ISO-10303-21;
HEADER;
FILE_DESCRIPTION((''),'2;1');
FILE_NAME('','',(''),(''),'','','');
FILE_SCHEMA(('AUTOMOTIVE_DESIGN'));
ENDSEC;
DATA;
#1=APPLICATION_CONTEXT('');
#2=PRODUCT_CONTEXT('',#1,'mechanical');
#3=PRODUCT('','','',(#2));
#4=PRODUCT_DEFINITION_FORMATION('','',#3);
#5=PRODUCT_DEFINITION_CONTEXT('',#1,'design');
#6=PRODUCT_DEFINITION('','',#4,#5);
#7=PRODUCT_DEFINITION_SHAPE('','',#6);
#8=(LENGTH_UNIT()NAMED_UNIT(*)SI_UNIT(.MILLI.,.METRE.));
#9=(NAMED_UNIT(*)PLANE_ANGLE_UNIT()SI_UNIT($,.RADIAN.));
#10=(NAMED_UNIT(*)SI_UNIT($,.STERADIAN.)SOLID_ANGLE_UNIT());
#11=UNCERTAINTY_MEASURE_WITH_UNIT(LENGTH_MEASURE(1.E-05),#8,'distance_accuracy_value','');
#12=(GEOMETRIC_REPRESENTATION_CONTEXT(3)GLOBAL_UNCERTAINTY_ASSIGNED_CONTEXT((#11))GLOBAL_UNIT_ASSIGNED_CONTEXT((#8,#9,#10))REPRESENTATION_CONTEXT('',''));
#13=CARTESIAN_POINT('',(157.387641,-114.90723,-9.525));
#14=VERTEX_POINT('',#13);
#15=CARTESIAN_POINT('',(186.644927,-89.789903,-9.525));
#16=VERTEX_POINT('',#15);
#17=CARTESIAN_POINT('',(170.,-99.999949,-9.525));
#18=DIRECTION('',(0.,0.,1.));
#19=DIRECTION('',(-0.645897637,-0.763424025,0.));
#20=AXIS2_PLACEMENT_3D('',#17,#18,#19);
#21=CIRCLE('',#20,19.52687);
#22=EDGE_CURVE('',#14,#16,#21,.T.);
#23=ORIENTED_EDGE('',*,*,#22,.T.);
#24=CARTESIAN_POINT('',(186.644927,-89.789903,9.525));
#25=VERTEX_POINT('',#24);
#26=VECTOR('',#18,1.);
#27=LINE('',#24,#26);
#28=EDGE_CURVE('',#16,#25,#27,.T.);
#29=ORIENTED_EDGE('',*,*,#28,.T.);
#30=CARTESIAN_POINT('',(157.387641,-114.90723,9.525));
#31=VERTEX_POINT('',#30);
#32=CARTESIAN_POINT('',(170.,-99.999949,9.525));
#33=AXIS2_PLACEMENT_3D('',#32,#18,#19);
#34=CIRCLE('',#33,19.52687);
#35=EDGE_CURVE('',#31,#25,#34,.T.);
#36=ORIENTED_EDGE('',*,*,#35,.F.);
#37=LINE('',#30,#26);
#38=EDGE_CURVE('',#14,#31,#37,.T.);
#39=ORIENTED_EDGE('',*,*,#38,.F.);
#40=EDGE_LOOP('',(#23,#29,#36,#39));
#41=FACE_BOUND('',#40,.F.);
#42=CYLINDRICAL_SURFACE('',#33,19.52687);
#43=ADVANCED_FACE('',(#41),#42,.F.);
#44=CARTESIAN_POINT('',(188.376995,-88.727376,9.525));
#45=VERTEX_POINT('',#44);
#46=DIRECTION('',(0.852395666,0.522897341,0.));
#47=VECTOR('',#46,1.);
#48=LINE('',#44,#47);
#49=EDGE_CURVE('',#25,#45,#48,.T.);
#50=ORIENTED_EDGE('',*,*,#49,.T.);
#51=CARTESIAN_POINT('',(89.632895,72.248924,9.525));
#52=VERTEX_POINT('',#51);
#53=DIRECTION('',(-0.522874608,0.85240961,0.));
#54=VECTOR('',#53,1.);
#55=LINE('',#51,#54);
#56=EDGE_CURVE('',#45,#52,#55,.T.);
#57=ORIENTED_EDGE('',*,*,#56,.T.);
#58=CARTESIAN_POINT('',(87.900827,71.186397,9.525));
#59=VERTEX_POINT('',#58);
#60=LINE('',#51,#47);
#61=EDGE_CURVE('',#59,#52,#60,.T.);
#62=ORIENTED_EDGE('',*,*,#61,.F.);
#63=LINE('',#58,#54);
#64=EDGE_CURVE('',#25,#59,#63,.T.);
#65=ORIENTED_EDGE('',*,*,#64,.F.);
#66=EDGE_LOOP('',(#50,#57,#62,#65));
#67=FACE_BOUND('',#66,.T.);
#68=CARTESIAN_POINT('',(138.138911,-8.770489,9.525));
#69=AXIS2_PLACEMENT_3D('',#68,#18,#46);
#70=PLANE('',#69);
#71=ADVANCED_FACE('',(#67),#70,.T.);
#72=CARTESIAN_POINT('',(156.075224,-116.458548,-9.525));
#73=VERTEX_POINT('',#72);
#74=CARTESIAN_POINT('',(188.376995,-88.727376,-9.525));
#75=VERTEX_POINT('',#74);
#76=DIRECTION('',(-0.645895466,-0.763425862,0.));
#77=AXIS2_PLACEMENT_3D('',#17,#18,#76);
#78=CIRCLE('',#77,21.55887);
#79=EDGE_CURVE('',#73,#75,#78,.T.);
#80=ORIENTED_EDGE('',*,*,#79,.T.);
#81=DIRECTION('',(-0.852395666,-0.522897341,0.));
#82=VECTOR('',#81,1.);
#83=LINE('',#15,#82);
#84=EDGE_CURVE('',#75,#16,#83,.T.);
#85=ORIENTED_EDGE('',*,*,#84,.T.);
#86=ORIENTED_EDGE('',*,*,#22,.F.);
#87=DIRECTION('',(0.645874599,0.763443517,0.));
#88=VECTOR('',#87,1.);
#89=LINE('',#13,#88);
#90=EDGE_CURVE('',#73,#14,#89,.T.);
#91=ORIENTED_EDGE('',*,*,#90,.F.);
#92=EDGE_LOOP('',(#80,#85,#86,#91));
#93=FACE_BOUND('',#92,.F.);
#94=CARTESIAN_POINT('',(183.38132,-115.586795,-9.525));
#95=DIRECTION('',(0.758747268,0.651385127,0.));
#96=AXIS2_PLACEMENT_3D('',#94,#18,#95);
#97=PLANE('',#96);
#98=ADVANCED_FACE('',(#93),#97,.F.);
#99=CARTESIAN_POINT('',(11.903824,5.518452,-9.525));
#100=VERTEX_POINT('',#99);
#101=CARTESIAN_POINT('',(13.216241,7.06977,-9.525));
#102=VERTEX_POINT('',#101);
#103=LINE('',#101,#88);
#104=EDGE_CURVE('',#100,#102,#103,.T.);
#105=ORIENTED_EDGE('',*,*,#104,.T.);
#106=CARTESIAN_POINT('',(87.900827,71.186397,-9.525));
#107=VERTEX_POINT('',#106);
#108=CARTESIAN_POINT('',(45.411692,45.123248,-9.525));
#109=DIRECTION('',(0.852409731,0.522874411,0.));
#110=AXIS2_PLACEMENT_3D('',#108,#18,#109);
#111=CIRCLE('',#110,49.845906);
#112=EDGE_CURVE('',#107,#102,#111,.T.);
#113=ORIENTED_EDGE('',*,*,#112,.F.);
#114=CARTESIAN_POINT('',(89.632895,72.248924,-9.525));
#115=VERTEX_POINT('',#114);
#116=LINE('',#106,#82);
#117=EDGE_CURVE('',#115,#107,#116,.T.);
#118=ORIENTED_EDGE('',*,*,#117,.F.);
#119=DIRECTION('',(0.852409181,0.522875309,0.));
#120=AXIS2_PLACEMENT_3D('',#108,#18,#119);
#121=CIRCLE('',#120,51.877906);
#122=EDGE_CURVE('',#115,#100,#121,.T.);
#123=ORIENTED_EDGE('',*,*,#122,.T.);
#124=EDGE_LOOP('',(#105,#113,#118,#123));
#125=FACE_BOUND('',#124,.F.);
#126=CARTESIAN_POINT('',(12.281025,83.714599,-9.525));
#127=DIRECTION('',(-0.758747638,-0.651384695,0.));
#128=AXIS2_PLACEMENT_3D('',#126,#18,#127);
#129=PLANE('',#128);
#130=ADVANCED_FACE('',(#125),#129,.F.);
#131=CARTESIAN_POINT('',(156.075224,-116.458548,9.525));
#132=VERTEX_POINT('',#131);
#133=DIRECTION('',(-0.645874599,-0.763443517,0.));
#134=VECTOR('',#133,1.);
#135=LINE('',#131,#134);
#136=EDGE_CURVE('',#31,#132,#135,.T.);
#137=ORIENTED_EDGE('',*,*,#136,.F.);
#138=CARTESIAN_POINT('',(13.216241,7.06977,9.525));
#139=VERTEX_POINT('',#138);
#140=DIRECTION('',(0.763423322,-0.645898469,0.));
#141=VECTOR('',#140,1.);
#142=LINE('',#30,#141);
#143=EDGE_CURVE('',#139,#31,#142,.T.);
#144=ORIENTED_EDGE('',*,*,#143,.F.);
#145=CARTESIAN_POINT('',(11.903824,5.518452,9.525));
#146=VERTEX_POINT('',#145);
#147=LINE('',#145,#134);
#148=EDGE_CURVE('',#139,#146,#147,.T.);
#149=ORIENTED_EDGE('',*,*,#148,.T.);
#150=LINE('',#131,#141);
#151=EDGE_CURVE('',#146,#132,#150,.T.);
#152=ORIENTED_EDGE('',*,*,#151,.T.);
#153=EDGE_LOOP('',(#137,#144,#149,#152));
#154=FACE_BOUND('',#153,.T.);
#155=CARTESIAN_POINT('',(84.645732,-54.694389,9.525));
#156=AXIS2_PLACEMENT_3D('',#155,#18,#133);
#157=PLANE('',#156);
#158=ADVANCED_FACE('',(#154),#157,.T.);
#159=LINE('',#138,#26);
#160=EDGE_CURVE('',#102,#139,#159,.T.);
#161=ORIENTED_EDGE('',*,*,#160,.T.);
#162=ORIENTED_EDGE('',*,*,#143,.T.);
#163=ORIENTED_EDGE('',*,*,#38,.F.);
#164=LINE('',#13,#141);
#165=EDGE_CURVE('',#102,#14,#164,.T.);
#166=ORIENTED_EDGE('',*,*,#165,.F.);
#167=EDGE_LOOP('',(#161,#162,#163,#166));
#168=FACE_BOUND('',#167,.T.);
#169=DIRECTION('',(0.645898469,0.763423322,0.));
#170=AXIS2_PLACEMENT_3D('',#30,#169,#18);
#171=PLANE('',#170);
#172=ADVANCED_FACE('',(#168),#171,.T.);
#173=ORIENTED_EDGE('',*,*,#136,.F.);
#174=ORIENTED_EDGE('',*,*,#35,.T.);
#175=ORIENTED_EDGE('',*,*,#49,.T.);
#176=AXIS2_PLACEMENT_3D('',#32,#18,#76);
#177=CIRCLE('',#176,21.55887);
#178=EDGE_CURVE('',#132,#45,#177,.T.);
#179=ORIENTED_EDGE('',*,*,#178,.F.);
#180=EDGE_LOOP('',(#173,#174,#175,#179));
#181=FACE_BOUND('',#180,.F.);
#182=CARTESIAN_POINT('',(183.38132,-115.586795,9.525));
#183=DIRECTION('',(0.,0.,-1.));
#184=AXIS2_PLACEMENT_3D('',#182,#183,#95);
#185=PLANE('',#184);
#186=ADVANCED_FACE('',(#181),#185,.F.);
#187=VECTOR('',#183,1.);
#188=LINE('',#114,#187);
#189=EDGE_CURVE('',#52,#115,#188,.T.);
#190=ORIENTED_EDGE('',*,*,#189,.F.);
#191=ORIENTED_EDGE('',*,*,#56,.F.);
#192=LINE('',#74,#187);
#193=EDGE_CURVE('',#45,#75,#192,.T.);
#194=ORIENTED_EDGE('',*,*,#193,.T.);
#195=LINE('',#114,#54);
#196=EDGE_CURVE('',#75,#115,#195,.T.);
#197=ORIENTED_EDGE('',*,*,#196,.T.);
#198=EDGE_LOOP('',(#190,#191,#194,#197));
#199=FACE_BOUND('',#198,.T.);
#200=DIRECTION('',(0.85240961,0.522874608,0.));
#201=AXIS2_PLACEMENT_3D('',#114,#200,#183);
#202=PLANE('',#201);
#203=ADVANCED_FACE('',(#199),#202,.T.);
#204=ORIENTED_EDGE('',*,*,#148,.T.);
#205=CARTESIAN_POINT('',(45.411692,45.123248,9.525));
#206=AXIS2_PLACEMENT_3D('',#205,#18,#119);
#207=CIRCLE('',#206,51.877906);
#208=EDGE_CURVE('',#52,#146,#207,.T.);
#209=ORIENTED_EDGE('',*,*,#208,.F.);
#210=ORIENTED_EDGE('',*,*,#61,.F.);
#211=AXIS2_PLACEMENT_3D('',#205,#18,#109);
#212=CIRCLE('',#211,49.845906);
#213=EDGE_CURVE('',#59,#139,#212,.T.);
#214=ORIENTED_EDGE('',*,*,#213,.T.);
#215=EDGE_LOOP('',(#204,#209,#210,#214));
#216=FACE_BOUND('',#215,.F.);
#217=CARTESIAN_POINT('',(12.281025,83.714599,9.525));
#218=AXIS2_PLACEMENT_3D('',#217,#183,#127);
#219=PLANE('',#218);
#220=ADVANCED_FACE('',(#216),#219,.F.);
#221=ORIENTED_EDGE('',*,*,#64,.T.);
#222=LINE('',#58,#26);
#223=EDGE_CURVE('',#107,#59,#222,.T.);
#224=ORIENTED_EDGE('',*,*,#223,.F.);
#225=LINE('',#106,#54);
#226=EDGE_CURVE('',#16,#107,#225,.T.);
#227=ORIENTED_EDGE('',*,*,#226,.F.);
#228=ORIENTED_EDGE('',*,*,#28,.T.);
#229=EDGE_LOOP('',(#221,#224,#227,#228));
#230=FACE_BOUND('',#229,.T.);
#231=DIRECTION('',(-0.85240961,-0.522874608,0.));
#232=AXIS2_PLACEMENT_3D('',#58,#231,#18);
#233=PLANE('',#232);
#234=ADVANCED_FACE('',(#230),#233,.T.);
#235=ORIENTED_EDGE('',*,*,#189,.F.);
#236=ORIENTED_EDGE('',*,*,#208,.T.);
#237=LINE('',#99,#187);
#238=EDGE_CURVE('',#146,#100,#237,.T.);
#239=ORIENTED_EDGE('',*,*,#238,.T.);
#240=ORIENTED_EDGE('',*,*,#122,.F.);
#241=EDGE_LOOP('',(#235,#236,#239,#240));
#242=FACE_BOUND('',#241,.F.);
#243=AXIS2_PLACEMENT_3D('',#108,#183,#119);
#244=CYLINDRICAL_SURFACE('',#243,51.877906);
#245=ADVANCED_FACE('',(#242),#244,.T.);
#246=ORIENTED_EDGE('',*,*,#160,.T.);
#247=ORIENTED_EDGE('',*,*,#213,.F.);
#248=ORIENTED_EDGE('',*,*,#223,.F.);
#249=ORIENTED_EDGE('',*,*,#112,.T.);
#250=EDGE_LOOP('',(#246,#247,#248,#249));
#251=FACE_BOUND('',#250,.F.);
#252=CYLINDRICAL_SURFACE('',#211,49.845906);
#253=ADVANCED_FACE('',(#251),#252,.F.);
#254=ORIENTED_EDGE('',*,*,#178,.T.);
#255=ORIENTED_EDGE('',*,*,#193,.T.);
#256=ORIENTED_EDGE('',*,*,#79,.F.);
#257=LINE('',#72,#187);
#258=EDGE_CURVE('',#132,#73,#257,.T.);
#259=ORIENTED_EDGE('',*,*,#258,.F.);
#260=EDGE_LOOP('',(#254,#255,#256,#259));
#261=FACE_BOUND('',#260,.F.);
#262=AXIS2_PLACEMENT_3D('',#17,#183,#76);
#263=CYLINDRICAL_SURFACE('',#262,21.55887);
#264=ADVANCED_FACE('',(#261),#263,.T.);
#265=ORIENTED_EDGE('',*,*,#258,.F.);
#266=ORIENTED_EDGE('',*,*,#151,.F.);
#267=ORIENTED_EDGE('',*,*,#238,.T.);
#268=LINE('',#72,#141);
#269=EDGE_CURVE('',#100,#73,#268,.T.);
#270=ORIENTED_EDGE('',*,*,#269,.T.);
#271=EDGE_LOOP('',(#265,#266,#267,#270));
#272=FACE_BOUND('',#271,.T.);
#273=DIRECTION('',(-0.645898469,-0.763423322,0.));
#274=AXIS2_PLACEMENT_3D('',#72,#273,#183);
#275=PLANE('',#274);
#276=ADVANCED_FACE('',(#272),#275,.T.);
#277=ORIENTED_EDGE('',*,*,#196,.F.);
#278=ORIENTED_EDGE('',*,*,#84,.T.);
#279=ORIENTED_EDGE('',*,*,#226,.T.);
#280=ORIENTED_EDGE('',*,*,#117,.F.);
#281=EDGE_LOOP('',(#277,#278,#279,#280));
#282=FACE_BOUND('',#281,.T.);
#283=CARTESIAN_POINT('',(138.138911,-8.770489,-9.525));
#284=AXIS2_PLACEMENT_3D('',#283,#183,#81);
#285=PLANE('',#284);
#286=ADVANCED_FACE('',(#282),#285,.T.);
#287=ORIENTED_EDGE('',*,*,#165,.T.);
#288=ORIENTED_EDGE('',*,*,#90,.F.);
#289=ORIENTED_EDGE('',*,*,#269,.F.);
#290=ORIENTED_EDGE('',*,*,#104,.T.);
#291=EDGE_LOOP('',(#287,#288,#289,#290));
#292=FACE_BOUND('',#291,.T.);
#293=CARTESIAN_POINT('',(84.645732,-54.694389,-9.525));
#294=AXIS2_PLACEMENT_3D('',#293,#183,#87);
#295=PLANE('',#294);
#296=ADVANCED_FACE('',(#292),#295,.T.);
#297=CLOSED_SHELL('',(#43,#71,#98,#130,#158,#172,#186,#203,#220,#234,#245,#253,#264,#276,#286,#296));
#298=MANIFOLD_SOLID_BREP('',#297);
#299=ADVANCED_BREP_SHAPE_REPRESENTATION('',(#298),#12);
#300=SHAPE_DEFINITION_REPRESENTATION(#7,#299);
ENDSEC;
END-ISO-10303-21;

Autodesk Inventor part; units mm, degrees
sketch "Эскизная траектория" plane through (0, 0, 0) normal (0, 0, 1) x (1, 0, 0)
  arc A0 (156.9447, -115.4308) -> (187.2295, -89.4313) centre (170, -100) ccw
  arc A1 (88.4854, 71.545) -> (12.7733, 6.5462) centre (45.4117, 45.1233) ccw
  line L0 (88.4854, 71.545) -> (187.2295, -89.4313)
  line L1 (156.9447, -115.4308) -> (12.7733, 6.5462)
ref_plane "Плоскость сечения" through (187.2295, -89.4313, 0) normal (-0.5229, 0.8524, 0) x (0, 0, 1)
ref_plane "РабПлоскость2" through (170, -100, 0) normal (-1, 0, 0) x (0, 0, 1)
ref_plane "РабПлоскость3" through (45.4117, 45.1233, 0) normal (0.7614, -0.6483, 0) x (0, 0, 1)
sketch "Сечение" plane through (187.2295, -89.4313, 0) normal (-0.5229, 0.8524, 0) x (0, 0, 1)
  line L0 (-9.525, 1.3462) -> (9.525, 1.3462)
  line L1 (9.525, 1.3462) -> (9.525, -0.6858)
  line L2 (9.525, -0.6858) -> (-9.525, -0.6858)
  line L3 (-9.525, -0.6858) -> (-9.525, 1.3462)
  line L4 (-9.525, 0) -> (9.525, 0) construction
  point P0 (0, 0)
  point P1 (0, 0)
  dimension "d0" = 19.05
  dimension "d4" = 0.6858
  dimension "d5" = 1.3462
sweep "Ремень" add profiles "Сечение" path "Эскизная траектория"
equation "\"d0\" = da_B"
equation "\"d4\" = da_a"
equation "\"d5\" = da_a2"
equation "\"da_B\" = 19.05"
equation "\"da_pb\" = 12.7"
equation "\"da_L\" = 609.6"
equation "\"da_a\" = 0.6858"
equation "\"da_S\" = 6.1214"
equation "\"da_Beta\" = 20deg"
equation "\"da_Ht\" = 2.286"
equation "\"da_H\" = 4.318"
equation "\"da_a2\" = 1.3462"
properties part number "Зубчатый ремень" material "Rubber"
